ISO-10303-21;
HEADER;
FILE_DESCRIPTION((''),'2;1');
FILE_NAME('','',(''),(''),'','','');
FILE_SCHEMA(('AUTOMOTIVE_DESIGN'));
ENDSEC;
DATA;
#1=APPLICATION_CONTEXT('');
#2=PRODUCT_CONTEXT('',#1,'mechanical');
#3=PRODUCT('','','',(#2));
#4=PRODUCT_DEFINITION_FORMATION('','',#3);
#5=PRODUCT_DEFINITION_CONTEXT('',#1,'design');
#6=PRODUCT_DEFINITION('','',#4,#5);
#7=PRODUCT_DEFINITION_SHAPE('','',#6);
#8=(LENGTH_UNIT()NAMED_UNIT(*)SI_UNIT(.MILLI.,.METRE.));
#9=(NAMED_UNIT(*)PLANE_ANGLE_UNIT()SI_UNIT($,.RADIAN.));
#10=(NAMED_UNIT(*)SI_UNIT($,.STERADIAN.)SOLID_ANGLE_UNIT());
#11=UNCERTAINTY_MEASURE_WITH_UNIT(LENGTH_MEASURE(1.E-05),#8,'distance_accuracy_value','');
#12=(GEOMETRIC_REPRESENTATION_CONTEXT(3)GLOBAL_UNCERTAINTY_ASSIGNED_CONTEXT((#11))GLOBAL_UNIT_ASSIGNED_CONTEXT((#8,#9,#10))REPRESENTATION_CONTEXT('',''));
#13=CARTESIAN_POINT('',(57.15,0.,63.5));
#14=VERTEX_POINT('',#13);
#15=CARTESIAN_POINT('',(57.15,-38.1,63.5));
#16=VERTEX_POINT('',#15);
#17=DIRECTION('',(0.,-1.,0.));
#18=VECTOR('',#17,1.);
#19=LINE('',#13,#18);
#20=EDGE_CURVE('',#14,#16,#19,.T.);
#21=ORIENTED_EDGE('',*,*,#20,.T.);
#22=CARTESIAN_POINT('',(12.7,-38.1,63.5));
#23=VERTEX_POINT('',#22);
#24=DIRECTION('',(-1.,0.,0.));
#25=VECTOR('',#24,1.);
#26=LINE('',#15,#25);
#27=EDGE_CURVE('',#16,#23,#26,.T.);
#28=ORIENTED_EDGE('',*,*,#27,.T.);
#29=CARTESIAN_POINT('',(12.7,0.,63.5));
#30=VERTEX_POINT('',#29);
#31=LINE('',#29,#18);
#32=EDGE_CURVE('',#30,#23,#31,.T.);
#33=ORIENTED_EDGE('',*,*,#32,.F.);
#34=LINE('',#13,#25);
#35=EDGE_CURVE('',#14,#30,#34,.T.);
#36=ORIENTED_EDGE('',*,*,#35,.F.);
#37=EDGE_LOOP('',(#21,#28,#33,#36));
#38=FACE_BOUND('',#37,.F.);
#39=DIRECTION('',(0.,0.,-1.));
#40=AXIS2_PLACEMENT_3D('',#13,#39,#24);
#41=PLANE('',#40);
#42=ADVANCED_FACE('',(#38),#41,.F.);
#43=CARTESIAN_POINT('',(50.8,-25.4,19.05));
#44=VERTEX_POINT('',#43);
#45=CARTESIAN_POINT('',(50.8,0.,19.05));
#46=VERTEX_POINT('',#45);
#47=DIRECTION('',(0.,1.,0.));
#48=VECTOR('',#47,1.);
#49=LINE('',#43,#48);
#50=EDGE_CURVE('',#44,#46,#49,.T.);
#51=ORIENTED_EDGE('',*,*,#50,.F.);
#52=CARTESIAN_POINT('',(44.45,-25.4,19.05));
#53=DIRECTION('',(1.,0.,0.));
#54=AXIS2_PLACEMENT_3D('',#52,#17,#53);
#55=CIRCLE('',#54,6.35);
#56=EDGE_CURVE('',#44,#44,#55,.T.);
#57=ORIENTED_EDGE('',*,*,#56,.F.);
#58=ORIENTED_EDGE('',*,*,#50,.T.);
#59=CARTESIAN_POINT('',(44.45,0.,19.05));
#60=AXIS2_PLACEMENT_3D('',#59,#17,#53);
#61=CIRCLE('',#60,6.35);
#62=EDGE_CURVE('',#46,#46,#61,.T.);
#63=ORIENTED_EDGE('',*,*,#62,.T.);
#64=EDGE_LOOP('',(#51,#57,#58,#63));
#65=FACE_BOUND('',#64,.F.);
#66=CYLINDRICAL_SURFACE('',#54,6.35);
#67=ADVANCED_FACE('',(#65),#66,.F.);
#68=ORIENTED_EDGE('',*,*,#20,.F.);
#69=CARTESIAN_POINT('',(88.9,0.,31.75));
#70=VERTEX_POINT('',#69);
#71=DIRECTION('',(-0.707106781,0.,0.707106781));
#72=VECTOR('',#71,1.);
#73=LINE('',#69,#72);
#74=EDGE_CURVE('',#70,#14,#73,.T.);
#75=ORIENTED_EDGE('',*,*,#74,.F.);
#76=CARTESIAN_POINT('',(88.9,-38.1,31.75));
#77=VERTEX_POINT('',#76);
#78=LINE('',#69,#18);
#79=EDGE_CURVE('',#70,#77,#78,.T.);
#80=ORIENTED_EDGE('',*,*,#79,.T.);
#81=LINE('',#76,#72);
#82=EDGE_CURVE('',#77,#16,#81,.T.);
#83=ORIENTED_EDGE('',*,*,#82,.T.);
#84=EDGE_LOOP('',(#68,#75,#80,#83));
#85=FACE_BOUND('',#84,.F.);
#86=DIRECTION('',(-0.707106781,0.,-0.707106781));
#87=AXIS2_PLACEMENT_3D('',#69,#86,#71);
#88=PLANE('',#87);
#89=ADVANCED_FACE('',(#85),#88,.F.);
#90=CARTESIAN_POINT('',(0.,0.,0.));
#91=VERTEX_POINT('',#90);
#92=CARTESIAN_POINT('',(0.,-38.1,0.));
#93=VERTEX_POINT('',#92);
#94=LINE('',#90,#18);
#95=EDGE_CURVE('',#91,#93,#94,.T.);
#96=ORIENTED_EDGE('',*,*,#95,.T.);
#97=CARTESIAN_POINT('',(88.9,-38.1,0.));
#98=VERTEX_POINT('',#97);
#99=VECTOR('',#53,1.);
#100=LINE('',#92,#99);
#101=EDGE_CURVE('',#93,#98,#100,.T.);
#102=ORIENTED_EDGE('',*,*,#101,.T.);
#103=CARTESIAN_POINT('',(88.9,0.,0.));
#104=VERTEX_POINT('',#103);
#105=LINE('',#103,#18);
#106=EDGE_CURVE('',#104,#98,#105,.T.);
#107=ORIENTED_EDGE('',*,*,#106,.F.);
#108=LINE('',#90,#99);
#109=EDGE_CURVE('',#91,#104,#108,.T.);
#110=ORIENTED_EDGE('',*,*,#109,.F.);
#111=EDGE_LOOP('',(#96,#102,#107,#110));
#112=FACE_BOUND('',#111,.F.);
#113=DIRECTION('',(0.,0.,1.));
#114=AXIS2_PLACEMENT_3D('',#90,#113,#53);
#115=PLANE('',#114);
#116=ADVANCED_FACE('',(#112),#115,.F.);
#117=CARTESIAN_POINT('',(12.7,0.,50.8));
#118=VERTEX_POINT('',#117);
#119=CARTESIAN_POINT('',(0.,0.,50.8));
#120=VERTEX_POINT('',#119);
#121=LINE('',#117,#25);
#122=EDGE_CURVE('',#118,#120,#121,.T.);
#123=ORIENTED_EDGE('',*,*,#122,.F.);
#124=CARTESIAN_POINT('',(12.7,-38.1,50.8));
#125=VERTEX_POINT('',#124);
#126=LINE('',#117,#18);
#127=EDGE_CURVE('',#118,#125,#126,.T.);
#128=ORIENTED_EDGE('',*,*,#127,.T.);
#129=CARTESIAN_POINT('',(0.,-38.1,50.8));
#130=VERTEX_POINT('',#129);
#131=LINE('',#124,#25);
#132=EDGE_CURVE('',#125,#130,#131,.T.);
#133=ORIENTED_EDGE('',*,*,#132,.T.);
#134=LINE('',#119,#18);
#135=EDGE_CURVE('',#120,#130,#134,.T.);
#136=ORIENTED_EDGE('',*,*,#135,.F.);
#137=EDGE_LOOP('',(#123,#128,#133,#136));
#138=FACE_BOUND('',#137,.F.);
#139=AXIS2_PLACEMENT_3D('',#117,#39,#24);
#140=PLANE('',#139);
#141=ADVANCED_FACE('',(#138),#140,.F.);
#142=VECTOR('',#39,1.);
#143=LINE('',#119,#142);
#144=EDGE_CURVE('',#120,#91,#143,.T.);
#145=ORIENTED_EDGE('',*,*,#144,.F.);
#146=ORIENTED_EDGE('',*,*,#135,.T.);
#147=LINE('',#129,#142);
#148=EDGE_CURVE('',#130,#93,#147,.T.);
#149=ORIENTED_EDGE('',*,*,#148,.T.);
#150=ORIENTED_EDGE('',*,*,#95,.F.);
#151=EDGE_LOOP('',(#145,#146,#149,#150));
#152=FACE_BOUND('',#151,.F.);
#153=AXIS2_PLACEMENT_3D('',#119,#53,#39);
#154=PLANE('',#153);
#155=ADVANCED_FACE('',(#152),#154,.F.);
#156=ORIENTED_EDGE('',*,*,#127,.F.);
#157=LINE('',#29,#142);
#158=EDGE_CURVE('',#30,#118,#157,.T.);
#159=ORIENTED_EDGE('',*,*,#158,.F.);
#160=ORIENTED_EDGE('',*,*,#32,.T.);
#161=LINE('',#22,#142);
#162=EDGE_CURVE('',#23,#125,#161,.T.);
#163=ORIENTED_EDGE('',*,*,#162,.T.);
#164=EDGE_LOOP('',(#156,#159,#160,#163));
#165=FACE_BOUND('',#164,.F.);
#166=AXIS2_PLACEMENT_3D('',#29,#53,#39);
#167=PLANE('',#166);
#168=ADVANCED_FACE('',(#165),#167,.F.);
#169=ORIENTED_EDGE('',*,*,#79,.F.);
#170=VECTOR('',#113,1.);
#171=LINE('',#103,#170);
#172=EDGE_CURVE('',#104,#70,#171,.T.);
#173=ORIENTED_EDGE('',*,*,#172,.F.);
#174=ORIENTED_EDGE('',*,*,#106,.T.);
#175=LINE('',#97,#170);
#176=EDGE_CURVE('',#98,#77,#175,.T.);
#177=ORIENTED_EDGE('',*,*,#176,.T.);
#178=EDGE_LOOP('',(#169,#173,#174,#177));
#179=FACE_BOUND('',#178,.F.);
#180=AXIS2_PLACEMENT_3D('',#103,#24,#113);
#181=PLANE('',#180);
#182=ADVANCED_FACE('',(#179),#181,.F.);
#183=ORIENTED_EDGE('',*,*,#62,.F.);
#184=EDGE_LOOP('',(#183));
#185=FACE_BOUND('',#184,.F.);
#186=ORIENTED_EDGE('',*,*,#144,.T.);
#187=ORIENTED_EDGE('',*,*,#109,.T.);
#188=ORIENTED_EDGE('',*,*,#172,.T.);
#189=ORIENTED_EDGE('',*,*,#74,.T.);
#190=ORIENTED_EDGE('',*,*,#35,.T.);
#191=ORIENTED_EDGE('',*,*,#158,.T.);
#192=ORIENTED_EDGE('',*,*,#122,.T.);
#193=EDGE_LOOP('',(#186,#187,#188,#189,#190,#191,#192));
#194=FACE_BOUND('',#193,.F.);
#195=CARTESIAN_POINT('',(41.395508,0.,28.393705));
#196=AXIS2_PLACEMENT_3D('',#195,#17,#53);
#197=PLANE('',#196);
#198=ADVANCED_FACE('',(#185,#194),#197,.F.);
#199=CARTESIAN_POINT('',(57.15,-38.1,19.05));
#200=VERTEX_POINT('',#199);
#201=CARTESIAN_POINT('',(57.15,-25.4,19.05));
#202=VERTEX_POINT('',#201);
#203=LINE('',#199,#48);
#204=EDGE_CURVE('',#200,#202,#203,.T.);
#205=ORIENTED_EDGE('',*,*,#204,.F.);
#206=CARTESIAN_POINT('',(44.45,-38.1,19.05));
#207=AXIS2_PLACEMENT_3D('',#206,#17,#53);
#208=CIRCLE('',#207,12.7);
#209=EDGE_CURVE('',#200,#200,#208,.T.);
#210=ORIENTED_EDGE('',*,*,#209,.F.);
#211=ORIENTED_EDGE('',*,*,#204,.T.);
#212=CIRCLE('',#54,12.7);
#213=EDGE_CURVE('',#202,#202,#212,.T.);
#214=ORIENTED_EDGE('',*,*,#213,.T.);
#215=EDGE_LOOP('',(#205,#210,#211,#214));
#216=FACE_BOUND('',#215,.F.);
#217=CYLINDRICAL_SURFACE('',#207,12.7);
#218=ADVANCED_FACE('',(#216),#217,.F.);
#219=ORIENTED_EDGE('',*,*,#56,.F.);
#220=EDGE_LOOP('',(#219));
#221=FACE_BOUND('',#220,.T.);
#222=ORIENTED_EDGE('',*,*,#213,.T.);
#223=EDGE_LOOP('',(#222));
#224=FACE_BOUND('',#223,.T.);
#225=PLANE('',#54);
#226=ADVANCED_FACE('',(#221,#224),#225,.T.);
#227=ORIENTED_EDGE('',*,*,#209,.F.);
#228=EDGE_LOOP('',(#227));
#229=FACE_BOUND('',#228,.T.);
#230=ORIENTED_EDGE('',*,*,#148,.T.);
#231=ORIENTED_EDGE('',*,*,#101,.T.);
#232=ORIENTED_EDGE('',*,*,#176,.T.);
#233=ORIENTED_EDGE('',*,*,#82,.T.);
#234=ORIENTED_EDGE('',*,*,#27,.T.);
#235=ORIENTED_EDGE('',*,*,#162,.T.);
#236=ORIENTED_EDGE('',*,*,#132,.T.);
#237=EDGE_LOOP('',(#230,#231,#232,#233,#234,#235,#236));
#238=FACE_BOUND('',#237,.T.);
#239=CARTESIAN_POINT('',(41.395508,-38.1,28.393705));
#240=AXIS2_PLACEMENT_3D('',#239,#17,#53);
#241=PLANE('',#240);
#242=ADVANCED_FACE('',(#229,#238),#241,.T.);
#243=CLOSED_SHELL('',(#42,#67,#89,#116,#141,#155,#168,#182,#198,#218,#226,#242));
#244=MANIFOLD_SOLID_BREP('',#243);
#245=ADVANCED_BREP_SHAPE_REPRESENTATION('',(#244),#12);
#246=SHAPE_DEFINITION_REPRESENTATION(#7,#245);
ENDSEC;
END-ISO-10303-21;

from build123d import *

# Parameters (mm, degrees)
F1_DEPTH = 38.1
F2_R     = 12.7
F3_DEPTH = 12.7
F4_R     = 6.35
F5_DEPTH = 25.401


with BuildPart() as f1:
    # F0 (on Front) → F1 (new body)
    with BuildSketch(Plane.XZ):
        Polygon((0, 50.8), (0, 0), (88.9, 0), (88.9, 31.75), (57.15, 63.5), (12.7, 63.5), (12.7, 50.8), align=None)
    extrude(amount=F1_DEPTH)

    # F2 (on face) → F3 (cut)
    with BuildSketch(Plane.XZ.offset(38.1)):
        with Locations((44.45, 19.05)):
            Circle(F2_R)
    extrude(amount=-F3_DEPTH, mode=Mode.SUBTRACT)

    # F4 (on face) → F5 (cut, through all)
    with BuildSketch(Plane.XZ.offset(25.4)):
        with Locations((44.45, 19.05)):
            Circle(F4_R)
    extrude(amount=-F5_DEPTH, mode=Mode.SUBTRACT)


solid = f1.part
